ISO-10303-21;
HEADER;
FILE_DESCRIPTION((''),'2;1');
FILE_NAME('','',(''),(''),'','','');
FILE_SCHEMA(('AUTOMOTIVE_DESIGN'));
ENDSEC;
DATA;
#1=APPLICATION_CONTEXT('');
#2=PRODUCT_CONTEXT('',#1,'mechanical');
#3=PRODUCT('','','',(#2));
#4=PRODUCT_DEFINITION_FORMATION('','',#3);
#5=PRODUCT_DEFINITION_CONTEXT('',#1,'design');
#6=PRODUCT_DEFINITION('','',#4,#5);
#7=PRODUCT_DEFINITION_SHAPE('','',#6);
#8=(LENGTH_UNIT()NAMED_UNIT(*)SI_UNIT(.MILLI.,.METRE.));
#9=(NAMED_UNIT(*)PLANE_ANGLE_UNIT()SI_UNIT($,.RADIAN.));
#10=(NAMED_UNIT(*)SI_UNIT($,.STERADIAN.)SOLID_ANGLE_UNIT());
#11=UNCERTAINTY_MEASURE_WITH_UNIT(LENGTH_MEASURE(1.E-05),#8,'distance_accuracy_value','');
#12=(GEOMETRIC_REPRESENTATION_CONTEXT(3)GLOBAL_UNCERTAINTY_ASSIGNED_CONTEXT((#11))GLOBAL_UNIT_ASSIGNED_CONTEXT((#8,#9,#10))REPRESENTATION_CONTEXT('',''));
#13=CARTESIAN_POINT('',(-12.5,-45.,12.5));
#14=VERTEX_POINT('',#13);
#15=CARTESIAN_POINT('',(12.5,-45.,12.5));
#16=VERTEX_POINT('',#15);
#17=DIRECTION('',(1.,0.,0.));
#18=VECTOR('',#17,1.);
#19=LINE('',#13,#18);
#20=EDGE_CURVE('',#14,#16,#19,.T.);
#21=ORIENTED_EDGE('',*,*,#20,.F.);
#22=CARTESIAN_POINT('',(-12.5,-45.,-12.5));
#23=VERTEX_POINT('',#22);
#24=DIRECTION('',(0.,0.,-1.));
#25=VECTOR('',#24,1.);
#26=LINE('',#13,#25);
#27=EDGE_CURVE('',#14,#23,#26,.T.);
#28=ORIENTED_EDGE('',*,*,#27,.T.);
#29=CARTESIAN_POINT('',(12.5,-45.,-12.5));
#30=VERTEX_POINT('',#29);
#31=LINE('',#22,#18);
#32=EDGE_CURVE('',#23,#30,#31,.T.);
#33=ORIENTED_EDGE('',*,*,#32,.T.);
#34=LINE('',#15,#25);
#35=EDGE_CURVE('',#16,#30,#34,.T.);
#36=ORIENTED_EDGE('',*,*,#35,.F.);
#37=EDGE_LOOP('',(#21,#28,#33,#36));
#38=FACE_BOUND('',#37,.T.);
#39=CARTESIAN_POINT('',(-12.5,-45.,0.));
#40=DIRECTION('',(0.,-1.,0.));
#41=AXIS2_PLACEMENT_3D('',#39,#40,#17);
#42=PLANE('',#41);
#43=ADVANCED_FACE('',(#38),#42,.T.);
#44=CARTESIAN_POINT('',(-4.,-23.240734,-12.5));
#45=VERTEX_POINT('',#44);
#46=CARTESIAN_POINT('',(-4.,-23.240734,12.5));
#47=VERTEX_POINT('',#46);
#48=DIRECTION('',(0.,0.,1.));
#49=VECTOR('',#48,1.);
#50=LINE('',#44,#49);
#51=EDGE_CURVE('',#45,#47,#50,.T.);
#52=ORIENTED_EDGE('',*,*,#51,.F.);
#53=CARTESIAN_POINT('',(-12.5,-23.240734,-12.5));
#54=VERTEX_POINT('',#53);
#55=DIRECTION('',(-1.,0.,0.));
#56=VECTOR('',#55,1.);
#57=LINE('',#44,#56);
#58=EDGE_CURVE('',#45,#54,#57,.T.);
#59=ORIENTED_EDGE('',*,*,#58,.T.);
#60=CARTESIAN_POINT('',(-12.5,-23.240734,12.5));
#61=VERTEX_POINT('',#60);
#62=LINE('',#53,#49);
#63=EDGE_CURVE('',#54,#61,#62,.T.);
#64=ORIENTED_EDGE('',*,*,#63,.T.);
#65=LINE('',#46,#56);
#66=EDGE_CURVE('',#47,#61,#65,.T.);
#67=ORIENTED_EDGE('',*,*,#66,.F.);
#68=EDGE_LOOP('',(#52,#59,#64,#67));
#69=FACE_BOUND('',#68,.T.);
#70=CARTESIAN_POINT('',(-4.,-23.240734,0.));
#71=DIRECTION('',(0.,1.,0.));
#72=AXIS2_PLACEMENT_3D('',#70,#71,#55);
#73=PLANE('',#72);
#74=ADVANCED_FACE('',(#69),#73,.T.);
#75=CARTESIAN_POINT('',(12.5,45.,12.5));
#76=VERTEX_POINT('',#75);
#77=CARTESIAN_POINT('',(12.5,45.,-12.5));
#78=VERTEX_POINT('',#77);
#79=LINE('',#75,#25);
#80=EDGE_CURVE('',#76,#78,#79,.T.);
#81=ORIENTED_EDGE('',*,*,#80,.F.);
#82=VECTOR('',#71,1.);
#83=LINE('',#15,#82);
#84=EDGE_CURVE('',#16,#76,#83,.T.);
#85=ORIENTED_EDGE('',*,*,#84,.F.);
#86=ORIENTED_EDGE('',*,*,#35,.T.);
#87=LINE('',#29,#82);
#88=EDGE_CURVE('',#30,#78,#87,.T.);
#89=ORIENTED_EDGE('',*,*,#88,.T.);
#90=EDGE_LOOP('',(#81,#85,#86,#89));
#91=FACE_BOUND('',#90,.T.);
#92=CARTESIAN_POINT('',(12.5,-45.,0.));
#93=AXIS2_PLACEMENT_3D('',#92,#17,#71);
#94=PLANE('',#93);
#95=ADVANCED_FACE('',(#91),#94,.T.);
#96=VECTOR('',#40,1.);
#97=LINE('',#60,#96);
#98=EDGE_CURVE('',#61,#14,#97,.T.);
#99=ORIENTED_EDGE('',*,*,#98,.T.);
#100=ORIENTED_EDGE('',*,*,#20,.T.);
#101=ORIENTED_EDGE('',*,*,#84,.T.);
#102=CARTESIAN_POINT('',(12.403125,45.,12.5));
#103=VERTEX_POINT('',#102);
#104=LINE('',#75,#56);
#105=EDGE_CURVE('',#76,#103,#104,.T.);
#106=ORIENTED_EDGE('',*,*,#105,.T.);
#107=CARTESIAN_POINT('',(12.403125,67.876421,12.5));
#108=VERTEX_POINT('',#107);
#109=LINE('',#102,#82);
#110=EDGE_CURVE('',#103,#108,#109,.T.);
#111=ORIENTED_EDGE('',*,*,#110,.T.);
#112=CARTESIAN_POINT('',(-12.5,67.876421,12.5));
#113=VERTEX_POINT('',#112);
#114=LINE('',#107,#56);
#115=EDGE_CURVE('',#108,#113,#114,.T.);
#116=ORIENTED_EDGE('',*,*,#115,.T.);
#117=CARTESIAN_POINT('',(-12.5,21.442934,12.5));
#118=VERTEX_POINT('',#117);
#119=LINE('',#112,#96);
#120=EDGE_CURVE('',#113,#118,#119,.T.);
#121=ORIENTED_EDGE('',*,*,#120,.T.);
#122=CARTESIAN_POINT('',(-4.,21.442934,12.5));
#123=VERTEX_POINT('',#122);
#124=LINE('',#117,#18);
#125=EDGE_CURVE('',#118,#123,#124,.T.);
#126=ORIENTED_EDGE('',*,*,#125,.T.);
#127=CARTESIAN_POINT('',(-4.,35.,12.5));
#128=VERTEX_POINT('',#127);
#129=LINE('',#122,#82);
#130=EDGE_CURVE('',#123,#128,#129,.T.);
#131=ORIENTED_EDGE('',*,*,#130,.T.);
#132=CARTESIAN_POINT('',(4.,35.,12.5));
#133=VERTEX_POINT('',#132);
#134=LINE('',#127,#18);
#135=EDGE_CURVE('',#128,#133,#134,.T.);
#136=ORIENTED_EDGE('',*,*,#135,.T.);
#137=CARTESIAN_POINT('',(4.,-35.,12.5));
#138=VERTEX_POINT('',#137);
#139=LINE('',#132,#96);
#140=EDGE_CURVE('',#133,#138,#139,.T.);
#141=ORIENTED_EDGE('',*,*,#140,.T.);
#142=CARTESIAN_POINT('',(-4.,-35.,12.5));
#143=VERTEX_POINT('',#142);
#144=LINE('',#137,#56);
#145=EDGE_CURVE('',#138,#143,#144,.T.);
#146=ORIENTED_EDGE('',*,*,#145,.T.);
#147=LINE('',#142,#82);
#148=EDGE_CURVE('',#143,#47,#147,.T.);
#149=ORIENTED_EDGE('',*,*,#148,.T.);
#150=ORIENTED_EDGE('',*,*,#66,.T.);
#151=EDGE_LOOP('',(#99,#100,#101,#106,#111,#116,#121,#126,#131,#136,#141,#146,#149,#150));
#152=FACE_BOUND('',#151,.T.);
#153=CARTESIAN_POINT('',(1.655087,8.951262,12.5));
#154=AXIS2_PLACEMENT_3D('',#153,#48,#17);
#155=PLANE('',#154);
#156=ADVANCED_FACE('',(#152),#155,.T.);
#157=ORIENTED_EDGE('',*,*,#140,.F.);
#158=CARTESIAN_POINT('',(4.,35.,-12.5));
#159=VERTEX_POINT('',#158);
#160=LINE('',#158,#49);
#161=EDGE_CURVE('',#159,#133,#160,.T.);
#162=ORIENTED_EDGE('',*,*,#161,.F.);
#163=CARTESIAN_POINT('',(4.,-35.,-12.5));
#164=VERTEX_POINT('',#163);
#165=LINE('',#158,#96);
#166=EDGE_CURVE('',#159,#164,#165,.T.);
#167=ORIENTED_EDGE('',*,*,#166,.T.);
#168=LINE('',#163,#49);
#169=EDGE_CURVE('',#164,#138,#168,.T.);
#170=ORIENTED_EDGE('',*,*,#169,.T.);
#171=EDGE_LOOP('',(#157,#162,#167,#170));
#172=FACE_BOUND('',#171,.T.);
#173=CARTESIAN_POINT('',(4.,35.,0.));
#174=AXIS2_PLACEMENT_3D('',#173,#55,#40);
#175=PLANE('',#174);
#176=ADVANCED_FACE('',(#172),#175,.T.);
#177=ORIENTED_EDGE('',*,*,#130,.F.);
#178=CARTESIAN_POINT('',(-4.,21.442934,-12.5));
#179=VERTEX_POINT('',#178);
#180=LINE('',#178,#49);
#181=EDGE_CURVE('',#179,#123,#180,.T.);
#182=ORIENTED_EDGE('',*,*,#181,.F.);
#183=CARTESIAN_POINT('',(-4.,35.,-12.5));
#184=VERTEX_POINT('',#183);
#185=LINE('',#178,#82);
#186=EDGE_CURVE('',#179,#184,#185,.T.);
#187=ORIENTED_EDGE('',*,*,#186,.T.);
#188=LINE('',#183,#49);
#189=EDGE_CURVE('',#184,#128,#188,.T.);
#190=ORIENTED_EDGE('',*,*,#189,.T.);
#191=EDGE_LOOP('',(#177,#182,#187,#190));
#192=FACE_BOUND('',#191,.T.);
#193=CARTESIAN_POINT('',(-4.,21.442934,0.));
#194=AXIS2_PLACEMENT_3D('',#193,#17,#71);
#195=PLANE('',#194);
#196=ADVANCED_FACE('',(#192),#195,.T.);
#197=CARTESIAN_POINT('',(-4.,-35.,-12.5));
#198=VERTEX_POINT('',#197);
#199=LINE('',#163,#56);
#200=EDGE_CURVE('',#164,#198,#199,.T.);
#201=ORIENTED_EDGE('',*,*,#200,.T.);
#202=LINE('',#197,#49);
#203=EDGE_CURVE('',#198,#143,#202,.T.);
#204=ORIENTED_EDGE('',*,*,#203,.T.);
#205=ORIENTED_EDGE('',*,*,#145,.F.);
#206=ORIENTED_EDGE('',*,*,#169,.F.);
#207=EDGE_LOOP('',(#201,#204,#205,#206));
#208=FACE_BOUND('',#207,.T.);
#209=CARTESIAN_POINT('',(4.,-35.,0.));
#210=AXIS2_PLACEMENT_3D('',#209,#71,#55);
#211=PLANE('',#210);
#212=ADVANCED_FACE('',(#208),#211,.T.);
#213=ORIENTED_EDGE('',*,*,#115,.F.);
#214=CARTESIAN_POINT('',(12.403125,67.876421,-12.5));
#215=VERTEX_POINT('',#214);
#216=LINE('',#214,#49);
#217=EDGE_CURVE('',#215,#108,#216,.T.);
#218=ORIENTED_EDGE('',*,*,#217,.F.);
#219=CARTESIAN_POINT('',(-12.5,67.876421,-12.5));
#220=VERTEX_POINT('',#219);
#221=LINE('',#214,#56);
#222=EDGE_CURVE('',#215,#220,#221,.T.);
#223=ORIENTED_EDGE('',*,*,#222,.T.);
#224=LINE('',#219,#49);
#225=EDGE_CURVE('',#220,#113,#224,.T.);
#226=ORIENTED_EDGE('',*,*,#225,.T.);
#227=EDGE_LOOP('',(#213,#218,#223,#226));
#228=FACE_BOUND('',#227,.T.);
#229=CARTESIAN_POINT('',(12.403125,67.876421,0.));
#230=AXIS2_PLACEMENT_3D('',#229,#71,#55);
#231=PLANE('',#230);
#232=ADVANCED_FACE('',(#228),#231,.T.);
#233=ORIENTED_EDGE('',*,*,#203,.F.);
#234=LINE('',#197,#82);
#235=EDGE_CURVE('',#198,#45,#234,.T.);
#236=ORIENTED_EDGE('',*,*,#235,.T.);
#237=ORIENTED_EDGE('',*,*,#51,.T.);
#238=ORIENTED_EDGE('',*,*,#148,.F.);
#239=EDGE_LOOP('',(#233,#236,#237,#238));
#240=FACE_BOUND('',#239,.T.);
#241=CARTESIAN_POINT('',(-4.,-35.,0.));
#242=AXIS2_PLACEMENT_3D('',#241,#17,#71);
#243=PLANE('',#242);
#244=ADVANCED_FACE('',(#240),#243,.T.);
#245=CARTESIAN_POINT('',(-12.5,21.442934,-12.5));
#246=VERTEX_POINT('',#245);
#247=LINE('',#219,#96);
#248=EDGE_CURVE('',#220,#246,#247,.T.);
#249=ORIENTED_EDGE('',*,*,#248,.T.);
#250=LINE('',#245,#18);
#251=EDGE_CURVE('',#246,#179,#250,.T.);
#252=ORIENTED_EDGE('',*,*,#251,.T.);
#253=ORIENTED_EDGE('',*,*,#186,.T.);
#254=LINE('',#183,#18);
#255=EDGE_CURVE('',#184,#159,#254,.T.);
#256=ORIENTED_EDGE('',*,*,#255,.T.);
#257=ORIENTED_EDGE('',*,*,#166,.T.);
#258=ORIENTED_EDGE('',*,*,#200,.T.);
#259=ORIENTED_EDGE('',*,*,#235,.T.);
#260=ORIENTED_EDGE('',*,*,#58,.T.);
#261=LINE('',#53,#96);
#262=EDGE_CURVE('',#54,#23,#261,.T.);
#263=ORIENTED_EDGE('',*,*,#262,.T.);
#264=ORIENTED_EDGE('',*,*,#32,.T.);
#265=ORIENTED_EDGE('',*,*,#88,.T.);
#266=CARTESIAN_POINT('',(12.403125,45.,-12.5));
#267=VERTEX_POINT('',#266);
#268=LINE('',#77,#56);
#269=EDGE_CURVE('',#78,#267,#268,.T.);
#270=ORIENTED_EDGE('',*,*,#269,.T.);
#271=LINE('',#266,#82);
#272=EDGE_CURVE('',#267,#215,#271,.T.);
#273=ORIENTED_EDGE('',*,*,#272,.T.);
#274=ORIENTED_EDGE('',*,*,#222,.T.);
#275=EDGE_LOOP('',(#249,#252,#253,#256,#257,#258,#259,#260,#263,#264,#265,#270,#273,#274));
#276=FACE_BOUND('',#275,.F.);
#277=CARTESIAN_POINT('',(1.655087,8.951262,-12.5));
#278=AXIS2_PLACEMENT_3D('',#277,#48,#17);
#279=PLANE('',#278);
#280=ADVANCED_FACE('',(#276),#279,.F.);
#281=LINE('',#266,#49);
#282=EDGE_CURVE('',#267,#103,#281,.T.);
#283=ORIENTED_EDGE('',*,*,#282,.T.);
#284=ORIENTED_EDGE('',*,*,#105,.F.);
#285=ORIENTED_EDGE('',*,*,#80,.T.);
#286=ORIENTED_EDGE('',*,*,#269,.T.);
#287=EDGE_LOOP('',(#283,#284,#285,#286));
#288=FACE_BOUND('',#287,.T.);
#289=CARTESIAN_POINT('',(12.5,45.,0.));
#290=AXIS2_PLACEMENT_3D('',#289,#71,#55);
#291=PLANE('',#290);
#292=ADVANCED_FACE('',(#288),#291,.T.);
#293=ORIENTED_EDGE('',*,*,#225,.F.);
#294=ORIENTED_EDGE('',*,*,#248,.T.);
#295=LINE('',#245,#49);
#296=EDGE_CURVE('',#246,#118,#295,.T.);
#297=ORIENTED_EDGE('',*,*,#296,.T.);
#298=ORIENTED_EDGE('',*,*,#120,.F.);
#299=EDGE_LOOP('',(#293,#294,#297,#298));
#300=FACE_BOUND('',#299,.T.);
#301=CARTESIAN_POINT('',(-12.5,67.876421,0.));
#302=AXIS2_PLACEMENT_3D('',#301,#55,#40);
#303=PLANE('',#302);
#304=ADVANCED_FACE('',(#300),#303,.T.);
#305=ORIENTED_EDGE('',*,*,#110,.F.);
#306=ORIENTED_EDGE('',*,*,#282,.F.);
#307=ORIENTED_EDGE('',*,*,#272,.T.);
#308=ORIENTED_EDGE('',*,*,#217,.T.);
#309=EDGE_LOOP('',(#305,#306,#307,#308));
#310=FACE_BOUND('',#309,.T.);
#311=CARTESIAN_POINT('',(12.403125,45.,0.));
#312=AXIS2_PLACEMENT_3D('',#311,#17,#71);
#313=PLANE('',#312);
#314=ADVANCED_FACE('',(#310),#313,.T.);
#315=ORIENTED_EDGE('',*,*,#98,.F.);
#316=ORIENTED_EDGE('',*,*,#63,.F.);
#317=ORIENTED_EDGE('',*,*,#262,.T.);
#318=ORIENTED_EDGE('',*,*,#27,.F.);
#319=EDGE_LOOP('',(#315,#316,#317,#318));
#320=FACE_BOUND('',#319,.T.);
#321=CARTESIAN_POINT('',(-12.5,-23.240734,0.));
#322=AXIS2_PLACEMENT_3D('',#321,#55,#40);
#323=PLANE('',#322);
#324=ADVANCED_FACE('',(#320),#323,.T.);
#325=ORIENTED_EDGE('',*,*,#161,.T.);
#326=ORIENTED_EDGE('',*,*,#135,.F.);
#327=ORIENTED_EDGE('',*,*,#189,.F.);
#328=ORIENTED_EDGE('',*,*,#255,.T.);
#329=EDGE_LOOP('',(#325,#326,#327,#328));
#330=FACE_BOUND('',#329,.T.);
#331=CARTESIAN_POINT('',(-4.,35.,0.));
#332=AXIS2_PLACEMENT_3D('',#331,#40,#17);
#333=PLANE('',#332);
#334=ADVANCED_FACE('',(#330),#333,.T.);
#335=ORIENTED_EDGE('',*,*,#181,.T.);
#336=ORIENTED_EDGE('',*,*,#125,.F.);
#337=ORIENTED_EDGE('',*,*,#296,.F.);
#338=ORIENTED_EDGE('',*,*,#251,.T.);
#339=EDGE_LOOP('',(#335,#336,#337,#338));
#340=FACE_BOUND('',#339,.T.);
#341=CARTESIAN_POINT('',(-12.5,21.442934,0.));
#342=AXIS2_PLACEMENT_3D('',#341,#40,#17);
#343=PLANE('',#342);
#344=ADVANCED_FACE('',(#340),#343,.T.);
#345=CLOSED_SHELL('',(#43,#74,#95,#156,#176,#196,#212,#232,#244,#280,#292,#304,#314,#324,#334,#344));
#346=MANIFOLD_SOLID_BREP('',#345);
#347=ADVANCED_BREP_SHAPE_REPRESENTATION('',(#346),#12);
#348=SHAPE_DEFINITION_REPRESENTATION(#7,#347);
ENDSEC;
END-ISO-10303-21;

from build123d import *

# Parameters (mm, degrees)
F1_DEPTH = 12.5


with BuildPart() as f1:
    # F0 (on Top) → F1 (new body, symmetric)
    with BuildSketch(Plane.XY):
        Polygon((12.5, 45), (12.403125, 45), (12.403125, 67.876421), (-12.5, 67.876421), (-12.5, 45), (-12.5, 21.442934), (-4, 21.442934), (-4, 35), (4, 35), (4, -35), (-4, -35), (-4, -23.240734), (-12.5, -23.240734), (-12.5, -45), (12.5, -45), align=None)
    extrude(amount=F1_DEPTH, both=True)


solid = f1.part
